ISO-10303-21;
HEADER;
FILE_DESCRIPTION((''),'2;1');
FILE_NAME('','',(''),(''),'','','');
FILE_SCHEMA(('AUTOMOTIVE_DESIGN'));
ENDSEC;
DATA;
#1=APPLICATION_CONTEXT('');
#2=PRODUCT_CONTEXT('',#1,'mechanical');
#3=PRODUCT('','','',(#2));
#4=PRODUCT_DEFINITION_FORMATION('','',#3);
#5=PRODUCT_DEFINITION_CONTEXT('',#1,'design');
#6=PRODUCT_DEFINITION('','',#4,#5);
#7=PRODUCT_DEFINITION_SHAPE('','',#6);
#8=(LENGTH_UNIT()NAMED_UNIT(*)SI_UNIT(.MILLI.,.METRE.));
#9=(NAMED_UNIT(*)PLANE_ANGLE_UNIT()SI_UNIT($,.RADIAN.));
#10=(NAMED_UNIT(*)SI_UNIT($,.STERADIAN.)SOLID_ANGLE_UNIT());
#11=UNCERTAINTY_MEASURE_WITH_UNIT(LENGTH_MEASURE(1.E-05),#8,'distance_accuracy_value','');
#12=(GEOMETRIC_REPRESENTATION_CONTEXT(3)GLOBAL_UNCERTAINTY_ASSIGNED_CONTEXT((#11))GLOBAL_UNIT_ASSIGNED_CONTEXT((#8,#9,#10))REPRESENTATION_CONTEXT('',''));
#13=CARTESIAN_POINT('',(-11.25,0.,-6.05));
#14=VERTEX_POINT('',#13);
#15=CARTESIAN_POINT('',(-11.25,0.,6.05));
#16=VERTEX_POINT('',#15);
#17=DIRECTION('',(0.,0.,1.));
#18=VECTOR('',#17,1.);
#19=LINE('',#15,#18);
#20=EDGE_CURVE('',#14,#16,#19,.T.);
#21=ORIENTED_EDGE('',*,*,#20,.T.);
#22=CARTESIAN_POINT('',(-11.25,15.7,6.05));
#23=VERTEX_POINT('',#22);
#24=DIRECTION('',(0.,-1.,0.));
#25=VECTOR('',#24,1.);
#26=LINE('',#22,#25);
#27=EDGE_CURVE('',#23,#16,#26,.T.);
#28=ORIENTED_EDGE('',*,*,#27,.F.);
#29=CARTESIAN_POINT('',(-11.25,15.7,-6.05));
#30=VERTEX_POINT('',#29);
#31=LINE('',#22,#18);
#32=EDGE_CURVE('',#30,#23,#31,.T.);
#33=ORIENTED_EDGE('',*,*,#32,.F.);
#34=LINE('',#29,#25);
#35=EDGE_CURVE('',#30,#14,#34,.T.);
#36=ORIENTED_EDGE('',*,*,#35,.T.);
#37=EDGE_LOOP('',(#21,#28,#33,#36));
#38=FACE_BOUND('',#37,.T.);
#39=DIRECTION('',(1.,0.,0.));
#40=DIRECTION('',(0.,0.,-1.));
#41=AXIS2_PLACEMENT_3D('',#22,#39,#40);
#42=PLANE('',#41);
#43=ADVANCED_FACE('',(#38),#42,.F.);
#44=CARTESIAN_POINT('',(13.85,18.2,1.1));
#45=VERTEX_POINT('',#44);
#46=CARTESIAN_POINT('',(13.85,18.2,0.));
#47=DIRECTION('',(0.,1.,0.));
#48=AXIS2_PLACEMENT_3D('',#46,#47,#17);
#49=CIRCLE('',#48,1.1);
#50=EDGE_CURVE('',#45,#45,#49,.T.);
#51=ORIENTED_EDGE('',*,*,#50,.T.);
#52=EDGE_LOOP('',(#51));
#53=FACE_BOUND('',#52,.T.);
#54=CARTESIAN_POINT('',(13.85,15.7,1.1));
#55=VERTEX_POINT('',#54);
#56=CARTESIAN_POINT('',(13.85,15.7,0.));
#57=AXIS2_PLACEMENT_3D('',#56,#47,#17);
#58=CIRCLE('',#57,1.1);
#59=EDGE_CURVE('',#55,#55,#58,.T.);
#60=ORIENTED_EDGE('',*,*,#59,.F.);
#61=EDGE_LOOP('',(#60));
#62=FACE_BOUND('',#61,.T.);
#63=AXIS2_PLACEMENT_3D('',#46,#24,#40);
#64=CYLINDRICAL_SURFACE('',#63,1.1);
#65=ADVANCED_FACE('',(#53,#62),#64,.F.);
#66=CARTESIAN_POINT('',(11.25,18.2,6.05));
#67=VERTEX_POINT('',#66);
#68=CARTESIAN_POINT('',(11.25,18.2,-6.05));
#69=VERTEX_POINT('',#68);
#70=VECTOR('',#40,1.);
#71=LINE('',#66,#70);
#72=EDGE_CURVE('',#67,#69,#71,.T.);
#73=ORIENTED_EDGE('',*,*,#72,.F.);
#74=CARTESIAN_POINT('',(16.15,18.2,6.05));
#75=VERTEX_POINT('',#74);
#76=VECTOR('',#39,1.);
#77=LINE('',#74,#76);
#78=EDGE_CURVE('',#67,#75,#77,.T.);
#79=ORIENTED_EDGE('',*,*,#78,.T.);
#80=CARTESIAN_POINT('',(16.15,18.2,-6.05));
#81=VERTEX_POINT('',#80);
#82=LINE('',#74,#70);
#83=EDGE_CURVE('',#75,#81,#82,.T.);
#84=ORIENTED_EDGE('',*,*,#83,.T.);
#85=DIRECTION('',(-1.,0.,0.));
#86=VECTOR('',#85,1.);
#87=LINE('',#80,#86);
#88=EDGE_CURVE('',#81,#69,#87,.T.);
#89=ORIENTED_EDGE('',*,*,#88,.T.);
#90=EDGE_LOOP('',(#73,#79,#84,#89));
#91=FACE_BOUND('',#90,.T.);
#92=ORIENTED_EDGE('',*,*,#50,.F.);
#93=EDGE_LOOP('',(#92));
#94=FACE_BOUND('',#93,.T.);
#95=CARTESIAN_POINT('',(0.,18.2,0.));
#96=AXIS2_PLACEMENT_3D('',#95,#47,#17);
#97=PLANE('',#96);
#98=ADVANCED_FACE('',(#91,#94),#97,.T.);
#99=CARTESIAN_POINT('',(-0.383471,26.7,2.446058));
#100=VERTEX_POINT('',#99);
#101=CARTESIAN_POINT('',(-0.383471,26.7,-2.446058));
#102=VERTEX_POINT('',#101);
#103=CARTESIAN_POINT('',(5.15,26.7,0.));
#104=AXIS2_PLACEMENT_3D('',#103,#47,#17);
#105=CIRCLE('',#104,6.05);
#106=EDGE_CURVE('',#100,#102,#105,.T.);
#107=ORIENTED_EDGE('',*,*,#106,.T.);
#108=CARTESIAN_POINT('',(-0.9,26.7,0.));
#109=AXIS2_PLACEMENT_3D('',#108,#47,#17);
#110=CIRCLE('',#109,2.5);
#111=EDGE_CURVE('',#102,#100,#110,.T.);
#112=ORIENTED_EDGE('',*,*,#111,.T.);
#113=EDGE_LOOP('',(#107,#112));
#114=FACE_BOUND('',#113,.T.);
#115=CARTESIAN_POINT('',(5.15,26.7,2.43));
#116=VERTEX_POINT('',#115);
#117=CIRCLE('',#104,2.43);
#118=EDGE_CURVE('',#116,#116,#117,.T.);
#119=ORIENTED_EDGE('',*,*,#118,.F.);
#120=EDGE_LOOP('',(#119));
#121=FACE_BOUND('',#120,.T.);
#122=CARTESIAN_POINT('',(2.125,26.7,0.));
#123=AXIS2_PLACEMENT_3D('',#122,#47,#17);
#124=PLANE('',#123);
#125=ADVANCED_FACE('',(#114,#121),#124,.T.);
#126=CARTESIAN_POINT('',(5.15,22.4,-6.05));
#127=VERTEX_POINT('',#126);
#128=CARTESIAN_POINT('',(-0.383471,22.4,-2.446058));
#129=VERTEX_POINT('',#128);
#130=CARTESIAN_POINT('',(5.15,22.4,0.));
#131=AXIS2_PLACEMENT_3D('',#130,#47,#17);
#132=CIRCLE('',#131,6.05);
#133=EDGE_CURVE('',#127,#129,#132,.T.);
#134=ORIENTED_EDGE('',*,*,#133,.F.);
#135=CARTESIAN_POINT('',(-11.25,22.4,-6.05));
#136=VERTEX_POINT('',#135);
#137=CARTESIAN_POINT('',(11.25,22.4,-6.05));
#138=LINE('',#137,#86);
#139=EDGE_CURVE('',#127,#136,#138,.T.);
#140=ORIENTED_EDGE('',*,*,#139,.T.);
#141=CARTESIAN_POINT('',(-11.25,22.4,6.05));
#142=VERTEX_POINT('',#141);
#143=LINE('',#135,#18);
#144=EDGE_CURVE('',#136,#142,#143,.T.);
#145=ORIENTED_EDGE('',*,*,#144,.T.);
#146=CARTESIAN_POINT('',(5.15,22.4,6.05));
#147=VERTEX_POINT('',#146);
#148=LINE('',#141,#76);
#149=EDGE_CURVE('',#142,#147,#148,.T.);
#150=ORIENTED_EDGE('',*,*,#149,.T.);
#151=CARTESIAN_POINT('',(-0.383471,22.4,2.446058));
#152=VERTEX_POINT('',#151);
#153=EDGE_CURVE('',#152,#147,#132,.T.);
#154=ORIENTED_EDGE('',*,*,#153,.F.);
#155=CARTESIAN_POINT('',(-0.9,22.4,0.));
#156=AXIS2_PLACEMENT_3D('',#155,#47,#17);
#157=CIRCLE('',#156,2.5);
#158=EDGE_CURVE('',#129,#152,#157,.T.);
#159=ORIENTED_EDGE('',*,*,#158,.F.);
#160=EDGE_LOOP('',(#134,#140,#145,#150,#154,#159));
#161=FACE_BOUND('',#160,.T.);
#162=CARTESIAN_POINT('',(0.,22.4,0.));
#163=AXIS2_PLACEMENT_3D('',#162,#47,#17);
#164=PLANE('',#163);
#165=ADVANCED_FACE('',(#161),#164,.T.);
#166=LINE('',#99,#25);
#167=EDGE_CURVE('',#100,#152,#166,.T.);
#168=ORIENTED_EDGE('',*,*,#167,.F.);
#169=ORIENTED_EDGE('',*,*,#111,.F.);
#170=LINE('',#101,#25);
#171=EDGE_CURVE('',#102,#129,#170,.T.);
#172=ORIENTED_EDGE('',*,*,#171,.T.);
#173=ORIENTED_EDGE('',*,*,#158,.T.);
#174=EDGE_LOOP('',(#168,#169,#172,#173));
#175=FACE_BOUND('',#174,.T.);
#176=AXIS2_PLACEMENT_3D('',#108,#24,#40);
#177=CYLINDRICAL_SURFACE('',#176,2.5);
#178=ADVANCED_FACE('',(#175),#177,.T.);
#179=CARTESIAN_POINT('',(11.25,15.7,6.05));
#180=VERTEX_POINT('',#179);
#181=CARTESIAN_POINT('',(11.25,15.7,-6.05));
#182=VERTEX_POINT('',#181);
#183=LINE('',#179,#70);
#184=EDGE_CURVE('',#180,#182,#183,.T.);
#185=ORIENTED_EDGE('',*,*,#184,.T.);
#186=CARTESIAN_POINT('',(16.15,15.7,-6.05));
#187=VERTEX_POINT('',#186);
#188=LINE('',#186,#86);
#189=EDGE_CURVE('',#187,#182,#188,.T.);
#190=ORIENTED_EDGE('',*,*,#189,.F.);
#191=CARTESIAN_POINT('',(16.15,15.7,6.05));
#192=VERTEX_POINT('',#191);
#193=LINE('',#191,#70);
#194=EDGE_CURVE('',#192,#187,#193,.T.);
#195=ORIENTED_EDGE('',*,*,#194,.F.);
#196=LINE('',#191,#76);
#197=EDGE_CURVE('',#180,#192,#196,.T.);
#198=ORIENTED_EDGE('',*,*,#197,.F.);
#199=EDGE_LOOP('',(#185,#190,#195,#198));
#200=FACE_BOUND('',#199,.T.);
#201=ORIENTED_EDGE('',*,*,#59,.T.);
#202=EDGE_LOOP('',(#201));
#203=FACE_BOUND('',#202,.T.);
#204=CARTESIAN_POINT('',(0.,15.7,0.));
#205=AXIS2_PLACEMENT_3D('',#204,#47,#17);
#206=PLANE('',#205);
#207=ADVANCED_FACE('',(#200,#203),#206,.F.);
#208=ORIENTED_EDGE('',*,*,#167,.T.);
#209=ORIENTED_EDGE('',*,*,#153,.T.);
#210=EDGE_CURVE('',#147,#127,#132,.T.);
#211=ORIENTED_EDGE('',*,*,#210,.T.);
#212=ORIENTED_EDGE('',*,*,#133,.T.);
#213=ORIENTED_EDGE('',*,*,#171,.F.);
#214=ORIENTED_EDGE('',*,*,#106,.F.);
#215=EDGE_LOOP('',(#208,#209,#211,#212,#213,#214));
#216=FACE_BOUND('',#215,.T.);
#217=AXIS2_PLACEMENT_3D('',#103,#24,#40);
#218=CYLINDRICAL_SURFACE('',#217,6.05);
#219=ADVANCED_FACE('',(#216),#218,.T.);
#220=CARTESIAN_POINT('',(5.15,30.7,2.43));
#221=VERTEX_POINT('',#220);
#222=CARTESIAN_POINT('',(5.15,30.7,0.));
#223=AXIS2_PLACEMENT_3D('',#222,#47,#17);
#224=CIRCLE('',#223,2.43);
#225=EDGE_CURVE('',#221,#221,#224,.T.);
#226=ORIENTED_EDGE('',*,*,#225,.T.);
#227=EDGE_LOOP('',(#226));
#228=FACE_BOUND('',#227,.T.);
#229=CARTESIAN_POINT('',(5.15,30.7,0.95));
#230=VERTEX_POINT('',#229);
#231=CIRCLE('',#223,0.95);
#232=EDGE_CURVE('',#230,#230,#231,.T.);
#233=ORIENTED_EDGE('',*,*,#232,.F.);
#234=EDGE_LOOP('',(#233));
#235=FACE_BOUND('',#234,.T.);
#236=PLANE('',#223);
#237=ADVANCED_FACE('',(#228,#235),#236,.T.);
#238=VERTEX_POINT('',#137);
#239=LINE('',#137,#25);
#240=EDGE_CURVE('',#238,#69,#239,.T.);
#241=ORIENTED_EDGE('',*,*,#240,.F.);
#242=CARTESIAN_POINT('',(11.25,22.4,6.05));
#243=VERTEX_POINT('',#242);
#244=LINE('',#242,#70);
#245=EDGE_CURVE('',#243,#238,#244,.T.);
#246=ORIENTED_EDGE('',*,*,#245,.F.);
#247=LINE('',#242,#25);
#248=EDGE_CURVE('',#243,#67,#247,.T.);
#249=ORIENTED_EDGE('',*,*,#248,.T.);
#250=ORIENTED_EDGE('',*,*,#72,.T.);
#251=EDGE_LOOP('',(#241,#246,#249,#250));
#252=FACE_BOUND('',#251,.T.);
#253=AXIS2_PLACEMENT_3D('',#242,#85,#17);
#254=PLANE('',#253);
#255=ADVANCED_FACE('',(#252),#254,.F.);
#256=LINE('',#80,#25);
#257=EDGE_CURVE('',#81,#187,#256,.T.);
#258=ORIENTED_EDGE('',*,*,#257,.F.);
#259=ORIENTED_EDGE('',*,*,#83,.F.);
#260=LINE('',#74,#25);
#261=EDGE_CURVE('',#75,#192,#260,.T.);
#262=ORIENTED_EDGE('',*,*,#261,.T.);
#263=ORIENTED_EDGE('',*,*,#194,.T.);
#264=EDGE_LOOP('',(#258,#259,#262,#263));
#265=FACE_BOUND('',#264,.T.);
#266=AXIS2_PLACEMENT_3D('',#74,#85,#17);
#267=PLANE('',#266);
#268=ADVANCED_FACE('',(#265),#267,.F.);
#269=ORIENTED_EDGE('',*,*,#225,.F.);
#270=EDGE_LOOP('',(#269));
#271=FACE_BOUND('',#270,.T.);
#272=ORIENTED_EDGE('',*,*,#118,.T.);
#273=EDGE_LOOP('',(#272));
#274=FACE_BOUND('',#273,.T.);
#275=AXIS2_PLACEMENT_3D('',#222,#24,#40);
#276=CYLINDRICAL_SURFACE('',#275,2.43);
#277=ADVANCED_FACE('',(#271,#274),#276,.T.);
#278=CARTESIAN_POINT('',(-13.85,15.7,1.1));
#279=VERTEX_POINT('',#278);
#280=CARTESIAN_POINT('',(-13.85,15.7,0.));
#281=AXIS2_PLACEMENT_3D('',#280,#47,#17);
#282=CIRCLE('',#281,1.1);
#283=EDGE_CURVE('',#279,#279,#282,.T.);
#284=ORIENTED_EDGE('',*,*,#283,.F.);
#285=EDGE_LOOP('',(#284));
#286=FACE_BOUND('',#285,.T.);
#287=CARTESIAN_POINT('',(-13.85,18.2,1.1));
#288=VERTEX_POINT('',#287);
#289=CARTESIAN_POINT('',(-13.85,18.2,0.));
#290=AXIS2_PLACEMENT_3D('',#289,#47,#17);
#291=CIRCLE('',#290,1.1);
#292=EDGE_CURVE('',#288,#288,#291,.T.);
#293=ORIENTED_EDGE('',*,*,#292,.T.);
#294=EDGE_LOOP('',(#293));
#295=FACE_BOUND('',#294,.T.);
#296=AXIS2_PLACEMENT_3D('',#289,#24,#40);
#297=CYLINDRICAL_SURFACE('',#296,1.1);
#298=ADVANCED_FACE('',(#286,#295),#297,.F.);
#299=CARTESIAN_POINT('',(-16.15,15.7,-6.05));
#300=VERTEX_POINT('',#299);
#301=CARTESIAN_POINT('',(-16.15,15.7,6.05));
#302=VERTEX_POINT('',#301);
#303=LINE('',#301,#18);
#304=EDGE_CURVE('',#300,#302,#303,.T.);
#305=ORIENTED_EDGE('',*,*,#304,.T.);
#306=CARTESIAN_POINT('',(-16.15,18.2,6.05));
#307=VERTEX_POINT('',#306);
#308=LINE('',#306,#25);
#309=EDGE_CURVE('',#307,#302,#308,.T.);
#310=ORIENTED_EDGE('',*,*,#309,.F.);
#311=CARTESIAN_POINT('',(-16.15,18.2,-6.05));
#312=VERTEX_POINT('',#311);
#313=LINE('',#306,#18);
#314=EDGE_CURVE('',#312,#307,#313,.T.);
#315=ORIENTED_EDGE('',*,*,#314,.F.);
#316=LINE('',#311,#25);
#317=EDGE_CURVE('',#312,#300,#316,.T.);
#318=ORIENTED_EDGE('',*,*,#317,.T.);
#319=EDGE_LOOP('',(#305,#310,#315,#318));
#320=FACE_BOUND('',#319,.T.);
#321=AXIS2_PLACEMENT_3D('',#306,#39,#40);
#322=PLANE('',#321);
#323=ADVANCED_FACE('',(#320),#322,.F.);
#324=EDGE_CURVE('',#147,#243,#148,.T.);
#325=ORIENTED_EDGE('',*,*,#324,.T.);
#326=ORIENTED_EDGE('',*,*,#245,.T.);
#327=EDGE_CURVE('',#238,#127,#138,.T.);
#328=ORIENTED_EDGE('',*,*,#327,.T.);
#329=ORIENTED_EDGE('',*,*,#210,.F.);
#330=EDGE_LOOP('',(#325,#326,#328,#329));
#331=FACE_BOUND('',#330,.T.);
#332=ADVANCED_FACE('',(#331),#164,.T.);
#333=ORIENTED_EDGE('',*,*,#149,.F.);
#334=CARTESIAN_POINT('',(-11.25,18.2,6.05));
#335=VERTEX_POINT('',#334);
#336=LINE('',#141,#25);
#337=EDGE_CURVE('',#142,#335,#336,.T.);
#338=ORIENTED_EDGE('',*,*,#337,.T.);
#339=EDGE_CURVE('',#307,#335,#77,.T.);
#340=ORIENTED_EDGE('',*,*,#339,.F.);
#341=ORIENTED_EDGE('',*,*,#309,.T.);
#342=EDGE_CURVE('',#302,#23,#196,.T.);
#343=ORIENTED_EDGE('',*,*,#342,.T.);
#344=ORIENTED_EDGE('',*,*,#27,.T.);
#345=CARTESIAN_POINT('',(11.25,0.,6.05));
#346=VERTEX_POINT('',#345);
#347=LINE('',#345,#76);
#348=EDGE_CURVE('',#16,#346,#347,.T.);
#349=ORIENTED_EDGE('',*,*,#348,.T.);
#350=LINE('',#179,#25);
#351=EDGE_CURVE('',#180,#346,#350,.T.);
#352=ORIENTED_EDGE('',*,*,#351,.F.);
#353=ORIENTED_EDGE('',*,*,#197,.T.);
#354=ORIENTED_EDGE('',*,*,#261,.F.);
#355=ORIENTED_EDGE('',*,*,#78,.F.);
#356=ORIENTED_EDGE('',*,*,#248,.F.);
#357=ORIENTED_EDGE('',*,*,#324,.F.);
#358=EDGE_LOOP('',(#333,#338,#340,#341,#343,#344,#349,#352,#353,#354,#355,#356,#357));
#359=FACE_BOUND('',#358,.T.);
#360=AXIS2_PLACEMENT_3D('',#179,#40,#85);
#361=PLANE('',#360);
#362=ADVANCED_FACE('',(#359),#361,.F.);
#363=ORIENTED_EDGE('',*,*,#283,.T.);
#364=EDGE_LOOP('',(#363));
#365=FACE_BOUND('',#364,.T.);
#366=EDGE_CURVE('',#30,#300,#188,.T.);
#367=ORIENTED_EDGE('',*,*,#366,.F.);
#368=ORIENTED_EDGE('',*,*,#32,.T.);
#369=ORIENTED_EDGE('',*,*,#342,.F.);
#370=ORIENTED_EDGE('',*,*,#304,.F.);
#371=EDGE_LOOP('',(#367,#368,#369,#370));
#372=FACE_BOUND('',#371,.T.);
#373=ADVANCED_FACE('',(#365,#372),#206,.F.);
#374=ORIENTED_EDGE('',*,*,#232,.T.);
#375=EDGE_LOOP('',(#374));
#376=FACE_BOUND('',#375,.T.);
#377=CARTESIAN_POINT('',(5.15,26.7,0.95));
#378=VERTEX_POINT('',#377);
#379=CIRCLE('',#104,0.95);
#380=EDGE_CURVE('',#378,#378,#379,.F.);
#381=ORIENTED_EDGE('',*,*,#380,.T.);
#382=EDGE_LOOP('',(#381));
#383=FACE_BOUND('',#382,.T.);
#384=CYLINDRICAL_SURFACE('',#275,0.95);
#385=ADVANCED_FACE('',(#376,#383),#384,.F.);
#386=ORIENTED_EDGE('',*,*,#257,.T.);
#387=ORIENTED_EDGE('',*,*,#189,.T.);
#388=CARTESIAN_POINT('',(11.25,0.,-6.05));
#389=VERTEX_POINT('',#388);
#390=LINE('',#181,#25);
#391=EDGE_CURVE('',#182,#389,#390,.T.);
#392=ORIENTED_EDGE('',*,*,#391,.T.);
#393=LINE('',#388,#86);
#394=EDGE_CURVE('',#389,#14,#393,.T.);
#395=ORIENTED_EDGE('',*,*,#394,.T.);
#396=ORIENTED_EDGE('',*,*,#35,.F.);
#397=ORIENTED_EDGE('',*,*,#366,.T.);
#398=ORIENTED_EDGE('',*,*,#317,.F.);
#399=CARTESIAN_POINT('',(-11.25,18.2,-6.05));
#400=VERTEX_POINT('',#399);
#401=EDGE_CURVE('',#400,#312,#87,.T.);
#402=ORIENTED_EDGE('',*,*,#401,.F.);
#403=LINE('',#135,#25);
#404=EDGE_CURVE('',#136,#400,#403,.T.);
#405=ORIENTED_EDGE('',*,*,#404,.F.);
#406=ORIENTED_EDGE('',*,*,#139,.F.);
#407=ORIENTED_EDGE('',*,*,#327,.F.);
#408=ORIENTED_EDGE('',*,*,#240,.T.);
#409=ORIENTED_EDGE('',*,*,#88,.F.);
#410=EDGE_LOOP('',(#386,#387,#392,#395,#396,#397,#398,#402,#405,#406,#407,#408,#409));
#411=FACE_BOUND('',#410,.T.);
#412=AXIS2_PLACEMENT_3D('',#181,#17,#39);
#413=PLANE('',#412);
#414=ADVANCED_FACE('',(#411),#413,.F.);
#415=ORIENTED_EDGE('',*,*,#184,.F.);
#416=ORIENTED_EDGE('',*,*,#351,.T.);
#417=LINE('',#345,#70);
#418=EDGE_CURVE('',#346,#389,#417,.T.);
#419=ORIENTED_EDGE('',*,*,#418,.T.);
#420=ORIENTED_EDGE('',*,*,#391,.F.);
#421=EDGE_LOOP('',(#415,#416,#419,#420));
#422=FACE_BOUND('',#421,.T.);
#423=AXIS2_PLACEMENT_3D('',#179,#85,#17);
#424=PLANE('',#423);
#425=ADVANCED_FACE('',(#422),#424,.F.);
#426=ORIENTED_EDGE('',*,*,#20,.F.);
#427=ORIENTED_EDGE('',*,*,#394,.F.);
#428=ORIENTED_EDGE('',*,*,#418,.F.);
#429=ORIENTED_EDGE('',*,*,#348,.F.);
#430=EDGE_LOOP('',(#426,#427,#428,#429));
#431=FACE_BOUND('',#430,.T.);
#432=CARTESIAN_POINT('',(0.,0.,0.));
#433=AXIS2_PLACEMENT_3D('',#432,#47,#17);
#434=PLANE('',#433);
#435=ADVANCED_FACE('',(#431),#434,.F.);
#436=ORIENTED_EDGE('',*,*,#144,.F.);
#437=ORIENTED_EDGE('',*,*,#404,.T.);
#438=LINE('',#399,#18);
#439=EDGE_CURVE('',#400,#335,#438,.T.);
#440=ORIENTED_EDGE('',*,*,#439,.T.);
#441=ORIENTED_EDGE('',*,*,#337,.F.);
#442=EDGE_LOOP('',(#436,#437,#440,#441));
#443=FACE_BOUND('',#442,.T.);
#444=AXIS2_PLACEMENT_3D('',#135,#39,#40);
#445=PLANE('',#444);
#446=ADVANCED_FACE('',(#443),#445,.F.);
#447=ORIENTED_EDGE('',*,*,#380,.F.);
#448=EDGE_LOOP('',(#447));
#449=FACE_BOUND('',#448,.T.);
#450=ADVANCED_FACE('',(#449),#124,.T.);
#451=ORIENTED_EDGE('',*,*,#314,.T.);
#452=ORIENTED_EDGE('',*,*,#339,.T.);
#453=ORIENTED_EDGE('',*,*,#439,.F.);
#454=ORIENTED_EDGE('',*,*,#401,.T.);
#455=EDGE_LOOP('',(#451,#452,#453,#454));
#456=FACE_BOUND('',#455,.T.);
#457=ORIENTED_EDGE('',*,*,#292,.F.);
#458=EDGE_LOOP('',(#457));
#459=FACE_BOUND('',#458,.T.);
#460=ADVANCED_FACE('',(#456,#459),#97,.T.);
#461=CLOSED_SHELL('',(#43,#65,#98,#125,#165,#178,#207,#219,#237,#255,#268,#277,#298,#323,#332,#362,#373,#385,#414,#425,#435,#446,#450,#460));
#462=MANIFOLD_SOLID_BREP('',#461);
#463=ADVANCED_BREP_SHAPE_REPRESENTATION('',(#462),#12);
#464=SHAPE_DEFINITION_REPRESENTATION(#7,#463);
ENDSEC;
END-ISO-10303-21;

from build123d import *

# Parameters (mm, degrees)
SKETCH2_W           = 22.5
SKETCH2_H           = 12.1
BOSS_EXTRUDE1_DEPTH = 15.7
SKETCH3_W           = 32.3
SKETCH3_H           = 12.1
SKETCH3_R           = 1.1
BOSS_EXTRUDE2_DEPTH = 2.5
SKETCH4_W           = 22.5
SKETCH4_H           = 12.1
BOSS_EXTRUDE3_DEPTH = 4.2
BOSS_EXTRUDE4_DEPTH = 4.3
SKETCH6_R           = 2.43
SKETCH6_R_2         = 0.95
BOSS_EXTRUDE5_DEPTH = 4


with BuildPart() as part:
    # Sketch2 → Boss-Extrude1 (new body)
    with BuildSketch(Plane(origin=(0, 0, 0), x_dir=(1, 0, 0), z_dir=(0, 1, 0))):
        Rectangle(SKETCH2_W, SKETCH2_H)
    extrude(amount=BOSS_EXTRUDE1_DEPTH)

    # Sketch3 → Boss-Extrude2 (add)
    with BuildSketch(Plane(origin=(0, 15.7, 0), x_dir=(1, 0, 0), z_dir=(0, 1, 0))):
        Rectangle(SKETCH3_W, SKETCH3_H)
        with Locations(Location((-13.85, 0, 0), (0, 0, 270))):
            Circle(SKETCH3_R, mode=Mode.SUBTRACT)
        with Locations(Location((13.85, 0, 0), (0, 0, 270))):
            Circle(SKETCH3_R, mode=Mode.SUBTRACT)
    extrude(amount=BOSS_EXTRUDE2_DEPTH)

    # Sketch4 → Boss-Extrude3 (add)
    with BuildSketch(Plane(origin=(0, 18.2, 0), x_dir=(1, 0, 0), z_dir=(0, 1, 0))):
        Rectangle(SKETCH4_W, SKETCH4_H)
    extrude(amount=BOSS_EXTRUDE3_DEPTH)

    # Sketch5 → Boss-Extrude4 (add)
    with BuildSketch(Plane(origin=(0, 22.4, 0), x_dir=(1, 0, 0), z_dir=(0, 1, 0))):
        with BuildLine():
            ThreePointArc((-0.383471074, -2.446057618), (11.2, 0), (-0.383471074, 2.446057618))
            ThreePointArc((-0.383471074, 2.446057618), (-3.4, 0), (-0.383471074, -2.446057618))
        make_face()
    extrude(amount=BOSS_EXTRUDE4_DEPTH)

    # Sketch6 → Boss-Extrude5 (add)
    with BuildSketch(Plane(origin=(0, 26.7, 0), x_dir=(1, 0, 0), z_dir=(0, 1, 0))):
        with Locations(Location((5.15, 0, 0), (0, 0, 270))):
            Circle(SKETCH6_R)
        with Locations(Location((5.15, 0, 0), (0, 0, 270))):
            Circle(SKETCH6_R_2, mode=Mode.SUBTRACT)
    extrude(amount=BOSS_EXTRUDE5_DEPTH)


solid = part.part
